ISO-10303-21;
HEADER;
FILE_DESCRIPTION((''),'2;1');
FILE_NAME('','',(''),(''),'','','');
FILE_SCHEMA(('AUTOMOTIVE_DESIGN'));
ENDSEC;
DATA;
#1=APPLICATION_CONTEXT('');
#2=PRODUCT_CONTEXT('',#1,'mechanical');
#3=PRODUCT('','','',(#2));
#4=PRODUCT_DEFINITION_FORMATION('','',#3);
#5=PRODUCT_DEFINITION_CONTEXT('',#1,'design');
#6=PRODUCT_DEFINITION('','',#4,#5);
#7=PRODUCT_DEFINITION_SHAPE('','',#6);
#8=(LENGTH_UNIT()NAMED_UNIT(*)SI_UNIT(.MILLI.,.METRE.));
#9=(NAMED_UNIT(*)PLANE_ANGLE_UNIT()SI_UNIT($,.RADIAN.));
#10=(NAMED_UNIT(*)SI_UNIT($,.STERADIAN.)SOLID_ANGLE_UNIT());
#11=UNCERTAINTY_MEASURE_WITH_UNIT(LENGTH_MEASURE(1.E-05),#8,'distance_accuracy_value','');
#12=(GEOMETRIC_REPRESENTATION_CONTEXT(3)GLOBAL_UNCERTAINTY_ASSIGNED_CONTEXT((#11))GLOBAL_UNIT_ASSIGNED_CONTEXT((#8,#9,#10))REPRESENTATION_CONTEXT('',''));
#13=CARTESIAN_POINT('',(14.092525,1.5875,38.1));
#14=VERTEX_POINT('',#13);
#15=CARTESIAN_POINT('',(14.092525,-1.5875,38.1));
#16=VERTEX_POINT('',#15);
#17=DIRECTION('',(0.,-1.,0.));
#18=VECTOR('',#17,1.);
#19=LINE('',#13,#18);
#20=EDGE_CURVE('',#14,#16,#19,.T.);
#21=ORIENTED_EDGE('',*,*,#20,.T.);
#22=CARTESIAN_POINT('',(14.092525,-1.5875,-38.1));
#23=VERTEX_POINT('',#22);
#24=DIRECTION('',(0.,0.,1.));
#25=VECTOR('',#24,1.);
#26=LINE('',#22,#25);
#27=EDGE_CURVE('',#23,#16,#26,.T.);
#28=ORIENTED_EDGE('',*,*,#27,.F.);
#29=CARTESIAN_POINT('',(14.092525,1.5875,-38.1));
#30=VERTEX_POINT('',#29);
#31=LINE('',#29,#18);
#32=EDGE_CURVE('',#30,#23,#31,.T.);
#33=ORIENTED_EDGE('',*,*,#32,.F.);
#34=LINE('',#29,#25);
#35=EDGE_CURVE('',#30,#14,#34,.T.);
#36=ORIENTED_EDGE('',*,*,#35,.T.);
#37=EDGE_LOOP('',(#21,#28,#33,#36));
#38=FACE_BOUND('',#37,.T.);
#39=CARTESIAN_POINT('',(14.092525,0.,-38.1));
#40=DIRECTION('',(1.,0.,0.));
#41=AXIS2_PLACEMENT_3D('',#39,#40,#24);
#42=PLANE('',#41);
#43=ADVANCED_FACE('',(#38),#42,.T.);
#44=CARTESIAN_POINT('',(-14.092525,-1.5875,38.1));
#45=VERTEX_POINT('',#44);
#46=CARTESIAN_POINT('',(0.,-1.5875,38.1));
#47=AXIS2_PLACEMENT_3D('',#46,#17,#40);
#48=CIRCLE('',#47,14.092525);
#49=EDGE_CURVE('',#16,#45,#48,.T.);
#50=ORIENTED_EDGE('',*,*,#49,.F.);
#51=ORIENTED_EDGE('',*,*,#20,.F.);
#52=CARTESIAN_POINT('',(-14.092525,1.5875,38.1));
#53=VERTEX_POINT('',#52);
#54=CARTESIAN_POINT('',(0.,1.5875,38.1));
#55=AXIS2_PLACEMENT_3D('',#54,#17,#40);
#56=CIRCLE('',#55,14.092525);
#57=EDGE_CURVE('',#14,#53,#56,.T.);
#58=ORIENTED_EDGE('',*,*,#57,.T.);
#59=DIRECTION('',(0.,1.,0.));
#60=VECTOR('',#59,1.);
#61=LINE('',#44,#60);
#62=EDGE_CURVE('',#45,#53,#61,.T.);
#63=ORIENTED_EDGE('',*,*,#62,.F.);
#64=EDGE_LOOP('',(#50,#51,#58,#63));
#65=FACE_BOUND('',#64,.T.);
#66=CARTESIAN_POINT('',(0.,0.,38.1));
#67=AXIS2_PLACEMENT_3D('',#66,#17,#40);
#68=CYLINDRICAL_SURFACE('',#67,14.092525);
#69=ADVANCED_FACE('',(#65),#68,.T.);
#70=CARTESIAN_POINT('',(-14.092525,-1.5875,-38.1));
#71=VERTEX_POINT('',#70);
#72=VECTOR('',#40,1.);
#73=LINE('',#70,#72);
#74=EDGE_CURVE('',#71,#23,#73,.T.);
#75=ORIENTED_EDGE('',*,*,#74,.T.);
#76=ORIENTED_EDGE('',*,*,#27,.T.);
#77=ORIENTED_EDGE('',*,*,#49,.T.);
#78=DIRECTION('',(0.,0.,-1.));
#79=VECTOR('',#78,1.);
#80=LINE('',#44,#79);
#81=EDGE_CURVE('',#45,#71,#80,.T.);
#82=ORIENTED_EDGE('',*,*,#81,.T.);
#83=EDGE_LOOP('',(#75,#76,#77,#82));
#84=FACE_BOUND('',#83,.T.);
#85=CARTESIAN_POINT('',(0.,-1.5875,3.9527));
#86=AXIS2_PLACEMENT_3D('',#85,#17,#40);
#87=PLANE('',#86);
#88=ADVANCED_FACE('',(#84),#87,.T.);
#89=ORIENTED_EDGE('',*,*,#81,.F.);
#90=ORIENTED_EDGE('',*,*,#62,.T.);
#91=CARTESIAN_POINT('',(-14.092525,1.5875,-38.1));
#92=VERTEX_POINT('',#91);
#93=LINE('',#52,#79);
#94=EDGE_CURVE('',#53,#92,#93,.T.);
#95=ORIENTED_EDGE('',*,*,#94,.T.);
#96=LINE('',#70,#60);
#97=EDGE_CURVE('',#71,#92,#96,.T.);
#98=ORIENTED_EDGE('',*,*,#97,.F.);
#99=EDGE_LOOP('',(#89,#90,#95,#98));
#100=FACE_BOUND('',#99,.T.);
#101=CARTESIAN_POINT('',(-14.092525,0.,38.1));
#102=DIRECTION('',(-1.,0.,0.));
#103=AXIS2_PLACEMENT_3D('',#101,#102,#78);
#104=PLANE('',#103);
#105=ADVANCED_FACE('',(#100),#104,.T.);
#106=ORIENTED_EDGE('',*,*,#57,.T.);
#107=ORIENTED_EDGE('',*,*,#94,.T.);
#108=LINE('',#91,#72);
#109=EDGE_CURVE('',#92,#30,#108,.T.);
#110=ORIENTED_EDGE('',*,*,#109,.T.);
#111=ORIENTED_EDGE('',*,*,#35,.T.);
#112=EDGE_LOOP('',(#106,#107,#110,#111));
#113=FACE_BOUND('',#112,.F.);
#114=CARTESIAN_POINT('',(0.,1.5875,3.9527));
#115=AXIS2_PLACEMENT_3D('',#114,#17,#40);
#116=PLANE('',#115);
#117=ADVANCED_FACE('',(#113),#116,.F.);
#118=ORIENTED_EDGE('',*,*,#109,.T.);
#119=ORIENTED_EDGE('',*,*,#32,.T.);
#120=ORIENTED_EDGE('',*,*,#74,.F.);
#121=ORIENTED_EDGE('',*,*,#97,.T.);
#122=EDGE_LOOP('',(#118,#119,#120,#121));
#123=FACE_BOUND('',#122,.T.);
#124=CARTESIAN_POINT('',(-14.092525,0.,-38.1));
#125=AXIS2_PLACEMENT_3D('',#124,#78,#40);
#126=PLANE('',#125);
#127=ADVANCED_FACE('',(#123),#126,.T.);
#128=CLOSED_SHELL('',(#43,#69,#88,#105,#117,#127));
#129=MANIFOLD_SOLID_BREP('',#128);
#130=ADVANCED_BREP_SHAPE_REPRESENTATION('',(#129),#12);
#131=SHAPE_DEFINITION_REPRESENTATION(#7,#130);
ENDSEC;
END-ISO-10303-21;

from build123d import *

# Parameters (mm, degrees)
F1_DEPTH = 1.5875


with BuildPart() as f1:
    # F0 (on Front) → F1 (new body, symmetric)
    with BuildSketch(Plane.XZ):
        with BuildLine():
            Line((-14.0925247772, -38.1), (14.0925247772, -38.1))
            Line((14.0925247772, -38.1), (14.0925247772, 38.1))
            ThreePointArc((14.0925247772, 38.1), (0, 52.1925247772), (-14.0925247772, 38.1))
            Line((-14.0925247772, 38.1), (-14.0925247772, -38.1))
        make_face()
    extrude(amount=F1_DEPTH, both=True)


solid = f1.part
